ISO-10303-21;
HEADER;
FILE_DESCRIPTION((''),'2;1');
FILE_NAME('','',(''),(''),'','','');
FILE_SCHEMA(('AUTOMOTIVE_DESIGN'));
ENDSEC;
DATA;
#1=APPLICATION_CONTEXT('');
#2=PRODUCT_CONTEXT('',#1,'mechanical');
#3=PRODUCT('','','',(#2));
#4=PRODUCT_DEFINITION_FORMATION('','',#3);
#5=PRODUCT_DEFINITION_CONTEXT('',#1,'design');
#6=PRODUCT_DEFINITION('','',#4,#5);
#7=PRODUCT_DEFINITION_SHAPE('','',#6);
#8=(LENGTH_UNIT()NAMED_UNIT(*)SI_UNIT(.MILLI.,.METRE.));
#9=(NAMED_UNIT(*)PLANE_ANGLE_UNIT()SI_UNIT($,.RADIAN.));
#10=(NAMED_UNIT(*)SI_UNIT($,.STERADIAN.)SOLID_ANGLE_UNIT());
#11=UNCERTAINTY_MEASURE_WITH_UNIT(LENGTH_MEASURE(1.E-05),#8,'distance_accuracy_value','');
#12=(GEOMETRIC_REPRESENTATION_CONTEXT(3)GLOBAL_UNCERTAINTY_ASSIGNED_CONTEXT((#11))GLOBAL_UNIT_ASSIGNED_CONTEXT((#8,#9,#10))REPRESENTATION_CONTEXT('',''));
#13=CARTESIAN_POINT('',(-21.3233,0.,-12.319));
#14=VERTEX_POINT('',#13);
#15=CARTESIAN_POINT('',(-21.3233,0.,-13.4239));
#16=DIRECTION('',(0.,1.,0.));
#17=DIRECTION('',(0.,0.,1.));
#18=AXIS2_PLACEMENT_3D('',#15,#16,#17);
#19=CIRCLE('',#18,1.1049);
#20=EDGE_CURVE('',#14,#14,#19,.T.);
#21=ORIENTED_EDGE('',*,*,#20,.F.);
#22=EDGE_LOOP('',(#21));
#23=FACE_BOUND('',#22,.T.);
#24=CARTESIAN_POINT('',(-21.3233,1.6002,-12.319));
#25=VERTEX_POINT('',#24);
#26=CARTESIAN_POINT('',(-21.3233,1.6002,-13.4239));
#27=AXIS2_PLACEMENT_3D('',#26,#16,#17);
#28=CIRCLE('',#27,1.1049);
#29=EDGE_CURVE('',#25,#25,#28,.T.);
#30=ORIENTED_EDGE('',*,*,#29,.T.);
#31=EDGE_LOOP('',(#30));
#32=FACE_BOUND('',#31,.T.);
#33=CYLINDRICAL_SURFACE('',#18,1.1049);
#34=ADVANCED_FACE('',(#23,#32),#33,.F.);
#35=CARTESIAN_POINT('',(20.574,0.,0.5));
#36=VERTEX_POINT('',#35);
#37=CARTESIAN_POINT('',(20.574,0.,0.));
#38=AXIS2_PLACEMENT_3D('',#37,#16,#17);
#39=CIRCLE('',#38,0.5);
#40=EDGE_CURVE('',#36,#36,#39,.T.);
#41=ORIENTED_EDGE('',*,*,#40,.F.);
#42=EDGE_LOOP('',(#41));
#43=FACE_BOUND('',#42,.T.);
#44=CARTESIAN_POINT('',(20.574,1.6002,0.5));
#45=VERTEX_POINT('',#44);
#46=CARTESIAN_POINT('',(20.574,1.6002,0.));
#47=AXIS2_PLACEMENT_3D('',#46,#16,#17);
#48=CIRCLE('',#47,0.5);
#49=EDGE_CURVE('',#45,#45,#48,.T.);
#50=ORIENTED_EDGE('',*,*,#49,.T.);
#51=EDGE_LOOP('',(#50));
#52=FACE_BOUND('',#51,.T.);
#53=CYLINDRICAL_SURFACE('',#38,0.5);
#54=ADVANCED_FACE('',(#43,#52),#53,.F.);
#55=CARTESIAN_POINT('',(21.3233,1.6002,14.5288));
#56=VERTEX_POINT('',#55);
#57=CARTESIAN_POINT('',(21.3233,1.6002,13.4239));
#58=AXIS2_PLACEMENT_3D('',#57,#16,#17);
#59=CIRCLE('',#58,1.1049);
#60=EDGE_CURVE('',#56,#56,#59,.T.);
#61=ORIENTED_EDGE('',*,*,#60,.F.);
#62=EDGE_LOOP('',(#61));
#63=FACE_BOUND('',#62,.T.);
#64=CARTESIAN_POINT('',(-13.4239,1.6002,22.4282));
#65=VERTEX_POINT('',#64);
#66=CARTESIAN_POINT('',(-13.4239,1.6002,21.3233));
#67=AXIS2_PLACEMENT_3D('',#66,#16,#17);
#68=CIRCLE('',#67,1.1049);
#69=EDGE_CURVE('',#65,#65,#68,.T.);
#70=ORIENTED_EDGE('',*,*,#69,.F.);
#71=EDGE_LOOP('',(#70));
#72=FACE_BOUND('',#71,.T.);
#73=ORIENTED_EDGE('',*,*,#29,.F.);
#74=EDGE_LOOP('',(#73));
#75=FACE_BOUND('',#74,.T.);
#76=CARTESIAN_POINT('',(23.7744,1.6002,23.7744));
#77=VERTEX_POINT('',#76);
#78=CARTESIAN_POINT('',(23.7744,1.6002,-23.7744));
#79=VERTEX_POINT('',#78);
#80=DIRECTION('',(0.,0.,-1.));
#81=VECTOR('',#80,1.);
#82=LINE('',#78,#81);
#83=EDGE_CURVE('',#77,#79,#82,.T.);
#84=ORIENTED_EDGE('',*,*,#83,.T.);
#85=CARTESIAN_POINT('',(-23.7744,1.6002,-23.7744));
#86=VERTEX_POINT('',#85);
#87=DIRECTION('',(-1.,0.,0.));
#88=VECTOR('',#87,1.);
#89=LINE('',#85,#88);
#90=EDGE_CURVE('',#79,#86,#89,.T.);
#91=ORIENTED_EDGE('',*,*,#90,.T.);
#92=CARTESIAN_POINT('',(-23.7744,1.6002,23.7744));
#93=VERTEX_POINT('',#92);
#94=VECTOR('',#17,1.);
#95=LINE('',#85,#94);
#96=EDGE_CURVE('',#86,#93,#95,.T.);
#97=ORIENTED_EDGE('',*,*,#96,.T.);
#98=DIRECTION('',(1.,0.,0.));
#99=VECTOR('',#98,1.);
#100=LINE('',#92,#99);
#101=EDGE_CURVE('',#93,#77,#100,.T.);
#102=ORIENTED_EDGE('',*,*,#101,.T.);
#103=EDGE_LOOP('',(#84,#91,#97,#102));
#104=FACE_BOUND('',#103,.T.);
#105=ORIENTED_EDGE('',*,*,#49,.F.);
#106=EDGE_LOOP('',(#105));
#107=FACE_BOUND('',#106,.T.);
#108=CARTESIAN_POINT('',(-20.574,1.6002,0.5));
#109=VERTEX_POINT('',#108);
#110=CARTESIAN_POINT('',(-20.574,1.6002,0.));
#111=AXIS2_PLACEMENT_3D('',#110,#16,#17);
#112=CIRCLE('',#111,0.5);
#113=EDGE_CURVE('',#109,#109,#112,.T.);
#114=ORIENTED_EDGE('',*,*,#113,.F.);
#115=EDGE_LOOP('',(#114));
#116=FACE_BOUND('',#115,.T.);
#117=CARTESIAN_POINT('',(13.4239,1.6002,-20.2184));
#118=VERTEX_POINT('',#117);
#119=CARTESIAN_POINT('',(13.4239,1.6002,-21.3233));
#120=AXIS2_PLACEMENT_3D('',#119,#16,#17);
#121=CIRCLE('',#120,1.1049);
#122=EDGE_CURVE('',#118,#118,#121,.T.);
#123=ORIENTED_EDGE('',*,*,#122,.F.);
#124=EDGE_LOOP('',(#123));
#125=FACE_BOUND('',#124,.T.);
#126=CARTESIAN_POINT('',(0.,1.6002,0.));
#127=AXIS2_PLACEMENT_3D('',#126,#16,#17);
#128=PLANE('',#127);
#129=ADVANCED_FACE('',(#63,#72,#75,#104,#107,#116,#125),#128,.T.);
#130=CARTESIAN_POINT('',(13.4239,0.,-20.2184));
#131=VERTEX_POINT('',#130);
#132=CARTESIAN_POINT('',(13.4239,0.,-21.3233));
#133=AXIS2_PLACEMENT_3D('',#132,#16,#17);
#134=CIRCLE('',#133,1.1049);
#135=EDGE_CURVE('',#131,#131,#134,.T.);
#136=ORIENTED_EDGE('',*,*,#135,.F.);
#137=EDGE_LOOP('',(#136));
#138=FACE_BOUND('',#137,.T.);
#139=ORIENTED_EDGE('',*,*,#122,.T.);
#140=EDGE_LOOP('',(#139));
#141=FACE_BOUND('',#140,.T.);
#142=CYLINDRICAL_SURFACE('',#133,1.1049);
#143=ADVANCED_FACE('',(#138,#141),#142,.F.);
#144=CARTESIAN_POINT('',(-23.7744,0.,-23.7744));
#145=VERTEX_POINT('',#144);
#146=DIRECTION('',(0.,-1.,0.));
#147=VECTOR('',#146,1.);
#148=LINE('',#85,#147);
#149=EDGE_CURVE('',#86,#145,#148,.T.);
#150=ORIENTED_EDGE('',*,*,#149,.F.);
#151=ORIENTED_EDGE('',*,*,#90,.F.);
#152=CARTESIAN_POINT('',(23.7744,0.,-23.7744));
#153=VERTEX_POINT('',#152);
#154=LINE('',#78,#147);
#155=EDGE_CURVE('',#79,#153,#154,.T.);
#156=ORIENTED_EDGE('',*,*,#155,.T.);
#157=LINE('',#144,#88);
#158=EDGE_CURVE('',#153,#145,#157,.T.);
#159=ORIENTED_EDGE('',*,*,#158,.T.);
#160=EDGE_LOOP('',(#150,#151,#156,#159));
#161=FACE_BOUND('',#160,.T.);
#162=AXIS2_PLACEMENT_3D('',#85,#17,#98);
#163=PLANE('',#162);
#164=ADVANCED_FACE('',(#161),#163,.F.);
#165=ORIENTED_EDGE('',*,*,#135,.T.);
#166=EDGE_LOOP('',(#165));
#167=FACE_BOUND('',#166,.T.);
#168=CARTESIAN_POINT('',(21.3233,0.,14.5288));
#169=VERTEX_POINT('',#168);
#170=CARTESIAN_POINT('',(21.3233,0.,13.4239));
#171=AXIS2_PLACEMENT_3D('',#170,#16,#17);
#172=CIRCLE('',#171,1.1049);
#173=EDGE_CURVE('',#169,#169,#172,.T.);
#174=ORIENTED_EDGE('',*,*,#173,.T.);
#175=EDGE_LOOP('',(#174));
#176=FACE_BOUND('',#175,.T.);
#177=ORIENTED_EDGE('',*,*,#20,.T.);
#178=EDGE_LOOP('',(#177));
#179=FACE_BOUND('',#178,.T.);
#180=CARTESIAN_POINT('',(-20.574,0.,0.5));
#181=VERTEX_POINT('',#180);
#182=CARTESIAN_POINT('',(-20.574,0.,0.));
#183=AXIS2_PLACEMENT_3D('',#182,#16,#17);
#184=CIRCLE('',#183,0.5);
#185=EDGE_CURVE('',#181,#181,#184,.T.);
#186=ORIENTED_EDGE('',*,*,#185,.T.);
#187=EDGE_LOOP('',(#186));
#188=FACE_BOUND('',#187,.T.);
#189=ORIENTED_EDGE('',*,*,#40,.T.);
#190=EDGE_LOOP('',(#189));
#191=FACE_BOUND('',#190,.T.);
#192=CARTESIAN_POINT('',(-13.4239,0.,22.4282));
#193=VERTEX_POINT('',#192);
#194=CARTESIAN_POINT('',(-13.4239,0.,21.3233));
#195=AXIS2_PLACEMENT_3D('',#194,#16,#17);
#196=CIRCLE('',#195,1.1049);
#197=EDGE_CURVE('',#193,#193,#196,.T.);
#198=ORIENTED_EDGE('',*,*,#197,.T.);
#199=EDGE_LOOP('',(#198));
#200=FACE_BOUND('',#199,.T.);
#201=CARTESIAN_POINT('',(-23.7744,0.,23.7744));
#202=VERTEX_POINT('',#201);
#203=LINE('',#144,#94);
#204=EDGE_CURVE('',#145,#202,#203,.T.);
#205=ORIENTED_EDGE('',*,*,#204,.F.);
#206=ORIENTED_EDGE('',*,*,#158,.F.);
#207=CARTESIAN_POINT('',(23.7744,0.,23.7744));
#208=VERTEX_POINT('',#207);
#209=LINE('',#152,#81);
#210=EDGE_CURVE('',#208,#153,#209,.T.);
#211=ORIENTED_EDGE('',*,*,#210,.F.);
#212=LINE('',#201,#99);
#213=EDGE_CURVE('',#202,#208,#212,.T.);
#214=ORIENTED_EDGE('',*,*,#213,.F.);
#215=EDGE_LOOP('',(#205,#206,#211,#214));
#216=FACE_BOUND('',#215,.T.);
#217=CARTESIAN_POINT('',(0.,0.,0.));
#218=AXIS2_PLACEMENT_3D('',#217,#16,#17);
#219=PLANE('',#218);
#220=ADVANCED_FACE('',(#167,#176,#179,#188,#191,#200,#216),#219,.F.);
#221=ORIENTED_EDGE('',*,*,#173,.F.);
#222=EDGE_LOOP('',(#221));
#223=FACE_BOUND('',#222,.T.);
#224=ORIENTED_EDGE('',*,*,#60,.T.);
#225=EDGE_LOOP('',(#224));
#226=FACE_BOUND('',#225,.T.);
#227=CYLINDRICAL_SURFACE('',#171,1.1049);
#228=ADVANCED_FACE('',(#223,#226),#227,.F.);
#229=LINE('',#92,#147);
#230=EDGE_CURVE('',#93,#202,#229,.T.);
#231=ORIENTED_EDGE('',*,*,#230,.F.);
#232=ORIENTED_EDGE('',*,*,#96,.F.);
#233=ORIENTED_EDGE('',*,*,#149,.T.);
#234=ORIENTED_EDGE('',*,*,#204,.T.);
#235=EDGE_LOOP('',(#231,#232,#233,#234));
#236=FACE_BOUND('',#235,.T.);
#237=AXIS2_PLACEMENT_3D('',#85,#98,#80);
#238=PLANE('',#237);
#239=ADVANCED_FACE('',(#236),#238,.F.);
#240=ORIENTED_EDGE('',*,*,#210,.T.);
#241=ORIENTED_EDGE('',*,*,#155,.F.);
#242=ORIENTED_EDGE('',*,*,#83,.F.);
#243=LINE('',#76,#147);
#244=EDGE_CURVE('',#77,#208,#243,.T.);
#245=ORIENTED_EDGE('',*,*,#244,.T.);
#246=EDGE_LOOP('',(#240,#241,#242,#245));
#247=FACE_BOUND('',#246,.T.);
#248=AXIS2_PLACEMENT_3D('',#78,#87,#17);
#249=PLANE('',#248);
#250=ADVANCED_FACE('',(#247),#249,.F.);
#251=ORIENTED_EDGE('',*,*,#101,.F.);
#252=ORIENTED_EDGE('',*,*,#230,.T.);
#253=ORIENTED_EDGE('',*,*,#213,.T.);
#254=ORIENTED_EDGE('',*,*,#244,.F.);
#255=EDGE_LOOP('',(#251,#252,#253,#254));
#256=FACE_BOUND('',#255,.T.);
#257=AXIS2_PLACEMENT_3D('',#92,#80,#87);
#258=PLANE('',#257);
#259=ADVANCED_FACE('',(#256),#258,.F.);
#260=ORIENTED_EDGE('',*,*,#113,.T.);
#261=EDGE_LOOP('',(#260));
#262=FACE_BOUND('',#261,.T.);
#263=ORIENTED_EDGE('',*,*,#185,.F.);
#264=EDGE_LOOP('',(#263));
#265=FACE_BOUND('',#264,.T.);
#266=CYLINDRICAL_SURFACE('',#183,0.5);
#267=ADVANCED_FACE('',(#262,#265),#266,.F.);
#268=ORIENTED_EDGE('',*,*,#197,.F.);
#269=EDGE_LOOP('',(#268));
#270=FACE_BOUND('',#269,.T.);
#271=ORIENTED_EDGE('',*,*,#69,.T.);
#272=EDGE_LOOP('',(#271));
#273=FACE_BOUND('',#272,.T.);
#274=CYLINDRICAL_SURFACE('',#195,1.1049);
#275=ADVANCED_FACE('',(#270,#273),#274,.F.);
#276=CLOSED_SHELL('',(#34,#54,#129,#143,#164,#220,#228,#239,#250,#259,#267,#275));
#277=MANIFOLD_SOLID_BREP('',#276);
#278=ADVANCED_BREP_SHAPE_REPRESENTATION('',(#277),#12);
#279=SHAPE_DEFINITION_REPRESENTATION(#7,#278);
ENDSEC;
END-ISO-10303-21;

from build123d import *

# Parameters (mm, degrees)
SKETCH1_W           = 47.5488
SKETCH1_H           = 47.5488
BOSS_EXTRUDE1_DEPTH = 1.6002
SKETCH3_R           = 0.5
SKETCH3_R_2         = 1.1049
CUT_EXTRUDE1_DEPTH  = 1.6002


with BuildPart() as part:
    # Sketch1 → Boss-Extrude1 (new body)
    with BuildSketch(Plane(origin=(0, 0, 0), x_dir=(1, 0, 0), z_dir=(0, 1, 0))):
        Rectangle(SKETCH1_W, SKETCH1_H)
    extrude(amount=BOSS_EXTRUDE1_DEPTH)

    # Sketch3 → Cut-Extrude1 (cut)
    with BuildSketch(Plane(origin=(0, 1.6002, 0), x_dir=(1, 0, 0), z_dir=(0, 1, 0))):
        with Locations(Location((-20.574, 0, 0), (0, 0, 270))):
            Circle(SKETCH3_R)
        with Locations(Location((20.574, 0, 0), (0, 0, 270))):
            Circle(SKETCH3_R)
        with Locations(Location((21.3233, -13.4239, 0), (0, 0, 270))):
            Circle(SKETCH3_R_2)
        with Locations(Location((-13.4239, -21.3233, 0), (0, 0, 270))):
            Circle(SKETCH3_R_2)
        with Locations(Location((-21.3233, 13.4239, 0), (0, 0, 270))):
            Circle(SKETCH3_R_2)
        with Locations(Location((13.4239, 21.3233, 0), (0, 0, 270))):
            Circle(SKETCH3_R_2)
    extrude(amount=-CUT_EXTRUDE1_DEPTH, mode=Mode.SUBTRACT)


solid = part.part
